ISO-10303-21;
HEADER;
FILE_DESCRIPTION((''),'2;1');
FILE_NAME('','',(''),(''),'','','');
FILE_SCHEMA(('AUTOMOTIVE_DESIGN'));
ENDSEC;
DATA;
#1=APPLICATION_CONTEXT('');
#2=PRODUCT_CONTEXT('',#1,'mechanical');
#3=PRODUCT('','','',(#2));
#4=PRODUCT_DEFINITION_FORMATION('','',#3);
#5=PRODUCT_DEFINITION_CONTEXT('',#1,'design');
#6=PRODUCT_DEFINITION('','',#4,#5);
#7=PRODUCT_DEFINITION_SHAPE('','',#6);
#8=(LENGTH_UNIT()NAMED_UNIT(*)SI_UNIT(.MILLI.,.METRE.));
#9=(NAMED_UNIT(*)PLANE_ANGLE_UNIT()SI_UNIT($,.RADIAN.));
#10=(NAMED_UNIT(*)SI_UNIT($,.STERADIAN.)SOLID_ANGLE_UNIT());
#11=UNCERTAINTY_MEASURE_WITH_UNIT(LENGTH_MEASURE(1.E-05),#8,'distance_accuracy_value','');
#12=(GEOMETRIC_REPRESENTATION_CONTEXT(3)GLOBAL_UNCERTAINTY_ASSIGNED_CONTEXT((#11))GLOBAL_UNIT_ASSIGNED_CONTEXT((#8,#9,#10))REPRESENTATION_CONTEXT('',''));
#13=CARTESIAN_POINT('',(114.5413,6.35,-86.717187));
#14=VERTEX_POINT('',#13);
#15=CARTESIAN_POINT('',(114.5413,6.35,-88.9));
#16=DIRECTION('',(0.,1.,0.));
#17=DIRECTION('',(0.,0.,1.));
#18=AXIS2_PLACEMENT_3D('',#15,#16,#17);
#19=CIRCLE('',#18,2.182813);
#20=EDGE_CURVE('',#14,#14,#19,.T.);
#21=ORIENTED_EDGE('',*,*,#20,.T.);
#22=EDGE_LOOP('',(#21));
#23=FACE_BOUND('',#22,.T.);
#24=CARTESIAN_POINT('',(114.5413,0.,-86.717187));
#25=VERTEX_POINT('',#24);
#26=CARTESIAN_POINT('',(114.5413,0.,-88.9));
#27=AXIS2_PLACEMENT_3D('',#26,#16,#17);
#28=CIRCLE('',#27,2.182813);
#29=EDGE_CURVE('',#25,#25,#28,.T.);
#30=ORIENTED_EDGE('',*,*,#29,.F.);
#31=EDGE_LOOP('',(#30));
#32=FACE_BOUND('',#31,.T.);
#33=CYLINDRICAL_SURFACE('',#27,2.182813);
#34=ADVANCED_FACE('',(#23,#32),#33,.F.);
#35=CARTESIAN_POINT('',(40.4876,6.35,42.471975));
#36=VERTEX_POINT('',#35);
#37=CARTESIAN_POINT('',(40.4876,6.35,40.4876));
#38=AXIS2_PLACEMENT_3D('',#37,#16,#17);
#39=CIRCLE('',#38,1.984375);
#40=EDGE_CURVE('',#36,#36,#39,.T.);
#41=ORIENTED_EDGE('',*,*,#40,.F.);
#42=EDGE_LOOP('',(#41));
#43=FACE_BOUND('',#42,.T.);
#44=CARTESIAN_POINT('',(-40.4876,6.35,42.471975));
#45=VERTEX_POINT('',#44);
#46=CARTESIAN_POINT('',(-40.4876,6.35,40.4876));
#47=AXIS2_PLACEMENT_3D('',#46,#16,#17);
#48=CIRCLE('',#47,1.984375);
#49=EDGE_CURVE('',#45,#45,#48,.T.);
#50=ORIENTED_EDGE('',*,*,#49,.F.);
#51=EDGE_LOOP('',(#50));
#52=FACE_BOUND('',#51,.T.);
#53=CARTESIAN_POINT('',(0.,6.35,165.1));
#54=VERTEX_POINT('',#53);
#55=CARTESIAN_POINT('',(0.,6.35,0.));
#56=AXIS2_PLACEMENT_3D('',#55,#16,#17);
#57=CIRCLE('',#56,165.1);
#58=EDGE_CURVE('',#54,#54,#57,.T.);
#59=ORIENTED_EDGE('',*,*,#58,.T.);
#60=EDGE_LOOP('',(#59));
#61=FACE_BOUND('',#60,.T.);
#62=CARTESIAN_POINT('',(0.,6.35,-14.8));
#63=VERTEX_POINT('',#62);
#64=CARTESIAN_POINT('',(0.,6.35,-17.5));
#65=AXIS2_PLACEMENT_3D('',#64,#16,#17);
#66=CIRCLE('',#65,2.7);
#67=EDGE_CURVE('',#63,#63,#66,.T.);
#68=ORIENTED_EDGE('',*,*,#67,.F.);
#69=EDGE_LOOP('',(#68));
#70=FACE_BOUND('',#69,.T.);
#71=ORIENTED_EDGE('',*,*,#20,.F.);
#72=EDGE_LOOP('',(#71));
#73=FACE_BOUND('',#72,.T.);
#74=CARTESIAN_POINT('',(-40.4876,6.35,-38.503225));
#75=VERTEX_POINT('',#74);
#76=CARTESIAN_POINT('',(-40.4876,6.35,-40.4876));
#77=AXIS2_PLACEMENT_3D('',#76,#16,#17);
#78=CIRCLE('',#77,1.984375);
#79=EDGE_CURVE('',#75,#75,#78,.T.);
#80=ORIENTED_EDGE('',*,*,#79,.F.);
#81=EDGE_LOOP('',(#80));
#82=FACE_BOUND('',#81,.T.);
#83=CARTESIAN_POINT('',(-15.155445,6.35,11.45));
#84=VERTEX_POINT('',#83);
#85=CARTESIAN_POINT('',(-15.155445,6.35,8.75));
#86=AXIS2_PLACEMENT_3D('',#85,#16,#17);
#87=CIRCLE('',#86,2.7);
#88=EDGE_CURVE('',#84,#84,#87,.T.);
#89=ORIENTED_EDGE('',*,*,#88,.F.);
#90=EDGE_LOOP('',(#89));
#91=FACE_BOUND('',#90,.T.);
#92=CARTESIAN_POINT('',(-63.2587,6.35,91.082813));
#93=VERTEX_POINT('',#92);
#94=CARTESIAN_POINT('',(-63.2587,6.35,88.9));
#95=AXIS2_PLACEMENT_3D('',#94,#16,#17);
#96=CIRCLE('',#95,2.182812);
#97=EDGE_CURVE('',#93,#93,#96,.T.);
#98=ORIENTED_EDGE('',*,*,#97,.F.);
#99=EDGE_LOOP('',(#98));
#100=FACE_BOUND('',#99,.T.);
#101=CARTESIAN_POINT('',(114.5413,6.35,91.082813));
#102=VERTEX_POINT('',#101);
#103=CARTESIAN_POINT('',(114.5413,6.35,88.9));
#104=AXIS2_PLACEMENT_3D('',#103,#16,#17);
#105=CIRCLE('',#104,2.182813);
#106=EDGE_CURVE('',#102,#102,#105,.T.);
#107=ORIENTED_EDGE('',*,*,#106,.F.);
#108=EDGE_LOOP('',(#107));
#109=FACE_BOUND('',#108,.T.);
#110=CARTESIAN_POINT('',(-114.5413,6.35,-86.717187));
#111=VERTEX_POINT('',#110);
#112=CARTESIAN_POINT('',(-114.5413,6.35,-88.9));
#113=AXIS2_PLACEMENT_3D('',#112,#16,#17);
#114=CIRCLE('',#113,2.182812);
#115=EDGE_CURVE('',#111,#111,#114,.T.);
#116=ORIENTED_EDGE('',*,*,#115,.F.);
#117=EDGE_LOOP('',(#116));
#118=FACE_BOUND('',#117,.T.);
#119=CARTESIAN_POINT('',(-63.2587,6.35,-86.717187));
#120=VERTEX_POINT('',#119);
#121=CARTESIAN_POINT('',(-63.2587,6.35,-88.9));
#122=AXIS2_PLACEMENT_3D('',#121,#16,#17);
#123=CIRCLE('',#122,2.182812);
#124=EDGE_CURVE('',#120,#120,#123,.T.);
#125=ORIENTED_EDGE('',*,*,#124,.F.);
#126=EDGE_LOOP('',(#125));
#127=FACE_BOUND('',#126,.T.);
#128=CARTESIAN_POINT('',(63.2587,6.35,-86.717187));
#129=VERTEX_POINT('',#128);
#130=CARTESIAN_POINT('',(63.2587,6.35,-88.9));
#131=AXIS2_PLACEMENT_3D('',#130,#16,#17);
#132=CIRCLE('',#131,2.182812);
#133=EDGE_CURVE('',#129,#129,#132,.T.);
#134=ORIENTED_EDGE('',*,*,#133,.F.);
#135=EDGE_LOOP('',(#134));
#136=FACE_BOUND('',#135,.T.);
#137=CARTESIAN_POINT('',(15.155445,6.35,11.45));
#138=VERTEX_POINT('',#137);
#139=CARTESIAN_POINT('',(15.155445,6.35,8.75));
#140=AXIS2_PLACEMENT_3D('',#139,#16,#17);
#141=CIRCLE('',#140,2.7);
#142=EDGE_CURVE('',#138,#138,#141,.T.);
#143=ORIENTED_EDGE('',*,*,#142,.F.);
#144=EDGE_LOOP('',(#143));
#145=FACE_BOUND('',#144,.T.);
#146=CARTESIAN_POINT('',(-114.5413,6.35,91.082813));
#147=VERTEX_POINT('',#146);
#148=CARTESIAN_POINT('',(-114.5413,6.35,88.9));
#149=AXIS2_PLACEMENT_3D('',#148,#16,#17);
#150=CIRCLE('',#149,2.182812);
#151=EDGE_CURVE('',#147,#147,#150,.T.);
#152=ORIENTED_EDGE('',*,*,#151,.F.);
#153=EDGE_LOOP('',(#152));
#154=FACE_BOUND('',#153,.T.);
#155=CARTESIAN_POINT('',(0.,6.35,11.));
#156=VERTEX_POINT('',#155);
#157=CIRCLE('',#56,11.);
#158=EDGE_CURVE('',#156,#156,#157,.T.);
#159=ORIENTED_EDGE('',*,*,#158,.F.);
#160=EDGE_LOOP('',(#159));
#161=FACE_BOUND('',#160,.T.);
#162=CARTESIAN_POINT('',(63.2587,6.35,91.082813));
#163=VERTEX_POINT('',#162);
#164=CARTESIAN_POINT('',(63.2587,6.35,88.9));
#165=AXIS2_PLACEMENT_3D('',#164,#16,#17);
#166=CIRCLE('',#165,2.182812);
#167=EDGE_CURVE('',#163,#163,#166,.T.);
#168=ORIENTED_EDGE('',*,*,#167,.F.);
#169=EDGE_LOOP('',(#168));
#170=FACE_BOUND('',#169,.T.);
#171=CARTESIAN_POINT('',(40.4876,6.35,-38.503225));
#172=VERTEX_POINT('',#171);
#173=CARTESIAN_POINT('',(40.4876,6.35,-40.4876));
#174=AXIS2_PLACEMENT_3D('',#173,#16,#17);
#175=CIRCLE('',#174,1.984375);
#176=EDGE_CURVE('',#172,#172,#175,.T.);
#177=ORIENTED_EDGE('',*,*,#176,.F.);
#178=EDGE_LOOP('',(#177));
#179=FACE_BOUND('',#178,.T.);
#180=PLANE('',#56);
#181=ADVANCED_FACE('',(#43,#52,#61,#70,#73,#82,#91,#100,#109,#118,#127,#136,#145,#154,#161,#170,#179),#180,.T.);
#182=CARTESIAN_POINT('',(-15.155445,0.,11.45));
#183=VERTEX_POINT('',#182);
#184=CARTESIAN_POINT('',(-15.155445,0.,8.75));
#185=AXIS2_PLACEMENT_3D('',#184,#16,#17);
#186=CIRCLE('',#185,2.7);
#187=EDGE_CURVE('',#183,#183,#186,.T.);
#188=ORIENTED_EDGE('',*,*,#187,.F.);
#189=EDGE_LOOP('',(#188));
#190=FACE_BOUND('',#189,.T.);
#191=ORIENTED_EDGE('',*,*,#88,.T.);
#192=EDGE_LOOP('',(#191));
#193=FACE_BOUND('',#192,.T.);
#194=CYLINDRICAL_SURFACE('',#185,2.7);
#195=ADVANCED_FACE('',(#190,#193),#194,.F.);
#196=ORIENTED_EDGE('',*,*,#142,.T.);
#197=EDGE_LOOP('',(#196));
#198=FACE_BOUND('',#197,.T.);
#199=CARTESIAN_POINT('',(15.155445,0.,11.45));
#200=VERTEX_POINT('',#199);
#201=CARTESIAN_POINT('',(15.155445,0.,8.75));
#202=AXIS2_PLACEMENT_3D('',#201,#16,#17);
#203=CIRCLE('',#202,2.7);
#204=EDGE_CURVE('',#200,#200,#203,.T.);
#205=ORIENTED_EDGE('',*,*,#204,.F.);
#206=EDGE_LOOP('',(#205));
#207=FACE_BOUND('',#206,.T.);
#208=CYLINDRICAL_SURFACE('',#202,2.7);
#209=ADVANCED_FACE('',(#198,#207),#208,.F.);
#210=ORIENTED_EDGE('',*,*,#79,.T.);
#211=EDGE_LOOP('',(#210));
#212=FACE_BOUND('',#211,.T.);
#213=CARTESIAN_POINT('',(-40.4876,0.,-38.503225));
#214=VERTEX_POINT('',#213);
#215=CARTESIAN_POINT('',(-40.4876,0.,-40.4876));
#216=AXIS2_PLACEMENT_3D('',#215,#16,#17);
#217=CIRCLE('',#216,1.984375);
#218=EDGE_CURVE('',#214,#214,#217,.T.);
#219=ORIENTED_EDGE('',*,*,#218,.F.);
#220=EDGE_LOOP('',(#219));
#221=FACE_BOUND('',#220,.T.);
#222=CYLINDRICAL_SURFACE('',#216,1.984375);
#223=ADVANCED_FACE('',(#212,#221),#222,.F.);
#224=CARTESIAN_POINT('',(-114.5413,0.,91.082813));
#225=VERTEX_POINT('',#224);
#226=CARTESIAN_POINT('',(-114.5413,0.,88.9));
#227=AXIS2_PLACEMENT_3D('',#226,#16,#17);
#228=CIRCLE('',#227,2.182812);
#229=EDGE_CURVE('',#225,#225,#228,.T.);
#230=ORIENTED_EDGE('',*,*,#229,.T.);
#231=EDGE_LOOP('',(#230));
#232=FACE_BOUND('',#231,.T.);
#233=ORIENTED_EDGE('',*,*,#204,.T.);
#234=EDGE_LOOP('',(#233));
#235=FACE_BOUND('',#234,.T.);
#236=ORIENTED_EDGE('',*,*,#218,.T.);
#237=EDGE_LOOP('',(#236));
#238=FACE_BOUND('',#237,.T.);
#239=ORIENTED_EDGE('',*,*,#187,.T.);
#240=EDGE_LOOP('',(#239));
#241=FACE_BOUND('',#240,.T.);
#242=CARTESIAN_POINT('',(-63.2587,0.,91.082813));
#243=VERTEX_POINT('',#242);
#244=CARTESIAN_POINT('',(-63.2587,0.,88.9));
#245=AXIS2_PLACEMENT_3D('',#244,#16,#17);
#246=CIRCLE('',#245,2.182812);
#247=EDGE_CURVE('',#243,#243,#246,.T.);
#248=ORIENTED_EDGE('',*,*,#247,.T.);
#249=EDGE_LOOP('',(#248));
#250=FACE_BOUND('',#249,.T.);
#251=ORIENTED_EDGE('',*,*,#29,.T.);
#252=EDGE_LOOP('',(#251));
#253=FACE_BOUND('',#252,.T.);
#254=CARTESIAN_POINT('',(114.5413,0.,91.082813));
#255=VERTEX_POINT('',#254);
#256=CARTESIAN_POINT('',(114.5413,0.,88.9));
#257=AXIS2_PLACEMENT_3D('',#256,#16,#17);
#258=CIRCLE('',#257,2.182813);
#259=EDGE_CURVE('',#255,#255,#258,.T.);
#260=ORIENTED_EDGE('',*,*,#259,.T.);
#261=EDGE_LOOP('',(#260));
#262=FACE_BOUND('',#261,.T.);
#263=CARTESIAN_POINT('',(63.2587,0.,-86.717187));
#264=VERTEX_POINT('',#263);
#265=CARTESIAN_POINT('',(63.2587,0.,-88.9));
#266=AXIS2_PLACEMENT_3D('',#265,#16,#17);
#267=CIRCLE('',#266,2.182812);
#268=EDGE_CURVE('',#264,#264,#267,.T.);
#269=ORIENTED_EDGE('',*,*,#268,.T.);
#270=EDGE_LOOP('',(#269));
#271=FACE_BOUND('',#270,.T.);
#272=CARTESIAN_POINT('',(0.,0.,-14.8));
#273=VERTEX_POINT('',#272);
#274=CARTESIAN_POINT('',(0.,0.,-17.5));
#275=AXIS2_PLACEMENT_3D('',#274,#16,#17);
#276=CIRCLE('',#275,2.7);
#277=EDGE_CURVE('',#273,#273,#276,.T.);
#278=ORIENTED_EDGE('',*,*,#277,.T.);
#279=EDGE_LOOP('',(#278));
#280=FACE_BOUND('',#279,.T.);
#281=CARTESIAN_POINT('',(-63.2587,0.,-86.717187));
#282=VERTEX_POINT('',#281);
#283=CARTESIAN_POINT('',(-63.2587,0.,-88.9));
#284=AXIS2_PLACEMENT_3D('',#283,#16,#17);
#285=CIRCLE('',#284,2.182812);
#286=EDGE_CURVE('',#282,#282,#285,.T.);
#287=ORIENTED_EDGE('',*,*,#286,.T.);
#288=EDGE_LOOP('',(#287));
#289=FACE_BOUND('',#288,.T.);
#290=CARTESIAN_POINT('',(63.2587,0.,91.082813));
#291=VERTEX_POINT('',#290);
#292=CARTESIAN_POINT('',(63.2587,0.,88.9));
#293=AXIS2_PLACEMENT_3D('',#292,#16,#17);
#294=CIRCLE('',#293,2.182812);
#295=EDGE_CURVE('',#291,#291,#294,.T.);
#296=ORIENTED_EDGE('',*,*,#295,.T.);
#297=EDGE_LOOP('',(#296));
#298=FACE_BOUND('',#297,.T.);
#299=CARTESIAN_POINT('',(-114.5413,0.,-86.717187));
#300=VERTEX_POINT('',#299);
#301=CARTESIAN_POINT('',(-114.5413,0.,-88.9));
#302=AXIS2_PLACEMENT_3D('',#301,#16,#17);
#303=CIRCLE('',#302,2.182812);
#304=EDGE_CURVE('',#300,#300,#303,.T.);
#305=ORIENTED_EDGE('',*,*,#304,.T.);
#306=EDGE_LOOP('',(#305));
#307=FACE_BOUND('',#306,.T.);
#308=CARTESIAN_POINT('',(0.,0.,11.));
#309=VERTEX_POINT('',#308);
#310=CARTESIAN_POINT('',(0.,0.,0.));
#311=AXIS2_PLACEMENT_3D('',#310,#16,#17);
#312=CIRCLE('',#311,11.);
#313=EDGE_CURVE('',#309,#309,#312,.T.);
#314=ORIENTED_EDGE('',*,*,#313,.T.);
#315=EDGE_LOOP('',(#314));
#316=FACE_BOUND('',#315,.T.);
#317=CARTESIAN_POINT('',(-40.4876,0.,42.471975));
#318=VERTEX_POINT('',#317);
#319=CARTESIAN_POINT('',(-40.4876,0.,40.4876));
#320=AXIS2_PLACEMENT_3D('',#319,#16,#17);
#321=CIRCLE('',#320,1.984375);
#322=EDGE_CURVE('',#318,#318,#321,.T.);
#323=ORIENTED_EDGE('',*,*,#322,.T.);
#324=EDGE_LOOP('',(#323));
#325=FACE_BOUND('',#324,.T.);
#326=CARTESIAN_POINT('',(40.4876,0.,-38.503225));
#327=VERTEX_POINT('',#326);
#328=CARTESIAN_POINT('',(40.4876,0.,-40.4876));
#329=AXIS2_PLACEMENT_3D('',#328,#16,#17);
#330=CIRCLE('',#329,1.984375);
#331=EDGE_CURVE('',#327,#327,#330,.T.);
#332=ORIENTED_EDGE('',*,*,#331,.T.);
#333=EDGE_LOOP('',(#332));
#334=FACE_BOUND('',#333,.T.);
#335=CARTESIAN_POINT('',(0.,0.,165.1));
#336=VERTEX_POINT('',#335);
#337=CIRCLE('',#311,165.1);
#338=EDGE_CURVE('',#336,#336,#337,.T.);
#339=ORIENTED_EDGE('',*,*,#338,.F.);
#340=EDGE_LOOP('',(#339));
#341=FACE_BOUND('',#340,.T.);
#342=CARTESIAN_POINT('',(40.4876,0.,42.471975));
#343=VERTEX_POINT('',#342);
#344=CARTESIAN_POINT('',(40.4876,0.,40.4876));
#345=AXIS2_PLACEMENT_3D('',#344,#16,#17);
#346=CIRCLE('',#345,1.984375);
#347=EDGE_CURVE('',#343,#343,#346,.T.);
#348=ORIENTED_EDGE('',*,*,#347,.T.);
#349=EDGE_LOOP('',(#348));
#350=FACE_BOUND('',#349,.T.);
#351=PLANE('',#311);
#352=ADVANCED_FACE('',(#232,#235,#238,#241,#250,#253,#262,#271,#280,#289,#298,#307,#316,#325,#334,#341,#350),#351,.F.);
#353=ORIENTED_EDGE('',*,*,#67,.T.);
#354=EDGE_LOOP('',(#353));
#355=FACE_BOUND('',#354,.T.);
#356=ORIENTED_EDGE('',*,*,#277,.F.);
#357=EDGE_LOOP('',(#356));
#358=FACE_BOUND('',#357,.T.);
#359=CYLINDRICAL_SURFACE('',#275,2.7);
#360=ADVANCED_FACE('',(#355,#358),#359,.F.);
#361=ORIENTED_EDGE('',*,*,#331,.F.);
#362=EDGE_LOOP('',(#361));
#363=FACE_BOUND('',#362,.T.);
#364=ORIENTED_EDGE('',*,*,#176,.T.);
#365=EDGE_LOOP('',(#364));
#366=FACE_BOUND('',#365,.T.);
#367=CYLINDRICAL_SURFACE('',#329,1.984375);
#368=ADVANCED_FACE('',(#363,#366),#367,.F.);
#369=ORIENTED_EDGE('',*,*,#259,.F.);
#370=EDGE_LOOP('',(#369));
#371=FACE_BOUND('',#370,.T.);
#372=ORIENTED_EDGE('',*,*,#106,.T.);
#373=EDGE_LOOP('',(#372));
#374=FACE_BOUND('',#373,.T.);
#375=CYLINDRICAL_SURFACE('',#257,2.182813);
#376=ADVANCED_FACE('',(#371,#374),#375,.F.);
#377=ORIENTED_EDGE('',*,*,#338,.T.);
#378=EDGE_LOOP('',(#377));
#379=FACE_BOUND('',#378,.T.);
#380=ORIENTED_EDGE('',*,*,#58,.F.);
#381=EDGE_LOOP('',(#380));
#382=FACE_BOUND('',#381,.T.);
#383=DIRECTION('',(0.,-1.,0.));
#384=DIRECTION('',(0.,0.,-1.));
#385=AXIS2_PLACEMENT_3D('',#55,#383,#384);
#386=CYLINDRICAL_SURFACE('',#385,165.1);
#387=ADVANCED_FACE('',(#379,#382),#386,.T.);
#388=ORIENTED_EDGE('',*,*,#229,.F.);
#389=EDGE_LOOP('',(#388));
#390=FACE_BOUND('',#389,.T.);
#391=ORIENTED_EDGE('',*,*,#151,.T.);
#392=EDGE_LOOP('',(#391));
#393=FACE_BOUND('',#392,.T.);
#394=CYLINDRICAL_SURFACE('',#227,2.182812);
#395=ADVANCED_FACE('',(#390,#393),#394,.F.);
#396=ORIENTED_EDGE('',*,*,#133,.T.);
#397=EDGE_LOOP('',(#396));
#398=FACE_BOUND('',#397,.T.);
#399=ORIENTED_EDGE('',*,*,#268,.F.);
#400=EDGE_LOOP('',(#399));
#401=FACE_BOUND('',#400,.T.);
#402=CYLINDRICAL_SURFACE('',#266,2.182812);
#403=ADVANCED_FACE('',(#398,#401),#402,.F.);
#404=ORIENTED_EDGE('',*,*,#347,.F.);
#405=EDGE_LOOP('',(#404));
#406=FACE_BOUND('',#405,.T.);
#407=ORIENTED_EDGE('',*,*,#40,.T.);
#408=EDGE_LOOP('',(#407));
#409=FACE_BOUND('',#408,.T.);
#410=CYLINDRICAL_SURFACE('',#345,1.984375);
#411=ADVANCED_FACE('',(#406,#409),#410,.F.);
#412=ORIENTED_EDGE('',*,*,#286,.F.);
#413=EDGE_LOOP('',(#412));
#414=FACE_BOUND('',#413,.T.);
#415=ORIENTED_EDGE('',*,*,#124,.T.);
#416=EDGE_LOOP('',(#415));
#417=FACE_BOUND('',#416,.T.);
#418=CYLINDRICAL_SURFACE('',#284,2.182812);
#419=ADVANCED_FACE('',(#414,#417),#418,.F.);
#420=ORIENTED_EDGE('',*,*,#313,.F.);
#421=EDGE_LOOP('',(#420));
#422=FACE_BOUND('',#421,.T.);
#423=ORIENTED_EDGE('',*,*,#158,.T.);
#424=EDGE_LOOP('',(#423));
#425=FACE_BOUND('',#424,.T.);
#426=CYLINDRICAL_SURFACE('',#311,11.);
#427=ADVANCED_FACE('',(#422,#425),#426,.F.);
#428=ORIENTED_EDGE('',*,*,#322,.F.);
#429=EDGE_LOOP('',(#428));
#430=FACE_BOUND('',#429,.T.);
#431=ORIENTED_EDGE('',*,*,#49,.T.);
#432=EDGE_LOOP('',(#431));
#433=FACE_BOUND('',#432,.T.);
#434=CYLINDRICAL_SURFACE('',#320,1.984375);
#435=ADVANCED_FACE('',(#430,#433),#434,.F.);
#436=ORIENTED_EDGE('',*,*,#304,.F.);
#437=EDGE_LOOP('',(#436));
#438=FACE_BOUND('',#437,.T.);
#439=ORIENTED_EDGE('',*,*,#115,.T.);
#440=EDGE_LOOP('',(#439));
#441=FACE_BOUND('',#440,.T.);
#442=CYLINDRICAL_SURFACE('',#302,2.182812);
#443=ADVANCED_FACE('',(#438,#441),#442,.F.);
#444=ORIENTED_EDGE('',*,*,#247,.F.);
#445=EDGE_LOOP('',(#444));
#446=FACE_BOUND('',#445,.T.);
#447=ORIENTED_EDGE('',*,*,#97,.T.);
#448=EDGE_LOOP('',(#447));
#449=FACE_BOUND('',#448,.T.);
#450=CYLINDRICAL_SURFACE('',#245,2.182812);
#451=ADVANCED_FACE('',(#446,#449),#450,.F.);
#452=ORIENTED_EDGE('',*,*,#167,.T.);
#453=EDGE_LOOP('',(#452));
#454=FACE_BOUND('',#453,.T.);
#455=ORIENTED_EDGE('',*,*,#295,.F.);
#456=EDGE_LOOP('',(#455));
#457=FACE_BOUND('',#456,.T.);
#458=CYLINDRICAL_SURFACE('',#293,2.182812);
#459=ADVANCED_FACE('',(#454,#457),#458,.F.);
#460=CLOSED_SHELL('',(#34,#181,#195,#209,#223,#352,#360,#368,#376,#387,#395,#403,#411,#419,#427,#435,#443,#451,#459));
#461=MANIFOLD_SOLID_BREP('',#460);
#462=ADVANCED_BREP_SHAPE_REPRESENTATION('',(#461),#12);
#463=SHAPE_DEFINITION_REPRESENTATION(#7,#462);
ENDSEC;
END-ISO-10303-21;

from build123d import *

# Parameters (mm, degrees)
SKETCH1_R           = 165.1
BOSS_EXTRUDE1_DEPTH = 6.35
SKETCH2_R           = 11
SKETCH2_R_2         = 1.984375
SKETCH2_R_3         = 2.7
CUT_EXTRUDE1_DEPTH  = 234.572991803
SKETCH3_R           = 2.1828125
CUT_EXTRUDE2_DEPTH  = 234.572991803


with BuildPart() as part:
    # Sketch1 → Boss-Extrude1 (new body)
    with BuildSketch(Plane(origin=(0, 0, 0), x_dir=(1, 0, 0), z_dir=(0, 1, 0))):
        with Locations(Location((0, 0, 0), (0, 0, 270))):
            Circle(SKETCH1_R)
    extrude(amount=BOSS_EXTRUDE1_DEPTH)

    # Sketch2 → Cut-Extrude1 (cut, through all)
    with BuildSketch(Plane(origin=(0, 6.35, 0), x_dir=(1, 0, 0), z_dir=(0, 1, 0))):
        with Locations(Location((0, 0, 0), (0, 0, 270))):
            Circle(SKETCH2_R)
        with Locations(Location((-40.4876, 40.4876, 0), (0, 0, 270))):
            Circle(SKETCH2_R_2)
        with Locations(Location((-40.4876, -40.4876, 0), (0, 0, 270))):
            Circle(SKETCH2_R_2)
        with Locations(Location((40.4876, -40.4876, 0), (0, 0, 270))):
            Circle(SKETCH2_R_2)
        with Locations(Location((40.4876, 40.4876, 0), (0, 0, 270))):
            Circle(SKETCH2_R_2)
        with Locations(Location((0, 17.5, 0), (0, 0, 270))):
            Circle(SKETCH2_R_3)
        with Locations(Location((-15.155444566, -8.75, 0), (0, 0, 270))):
            Circle(SKETCH2_R_3)
        with Locations(Location((15.155444566, -8.75, 0), (0, 0, 270))):
            Circle(SKETCH2_R_3)
    extrude(amount=-CUT_EXTRUDE1_DEPTH, mode=Mode.SUBTRACT)

    # Sketch3 → Cut-Extrude2 (cut, through all)
    with BuildSketch(Plane(origin=(0, 6.35, 0), x_dir=(1, 0, 0), z_dir=(0, 1, 0))):
        with Locations(Location((-114.5413, 88.9, 0), (0, 0, 270))):
            Circle(SKETCH3_R)
        with Locations(Location((-63.2587, 88.9, 0), (0, 0, 270))):
            Circle(SKETCH3_R)
        with Locations(Location((63.2587, 88.9, 0), (0, 0, 270))):
            Circle(SKETCH3_R)
        with Locations(Location((114.5413, 88.9, 0), (0, 0, 270))):
            Circle(SKETCH3_R)
        with Locations(Location((114.5413, -88.9, 0), (0, 0, 270))):
            Circle(SKETCH3_R)
        with Locations(Location((63.2587, -88.9, 0), (0, 0, 270))):
            Circle(SKETCH3_R)
        with Locations(Location((-63.2587, -88.9, 0), (0, 0, 270))):
            Circle(SKETCH3_R)
        with Locations(Location((-114.5413, -88.9, 0), (0, 0, 270))):
            Circle(SKETCH3_R)
    extrude(amount=-CUT_EXTRUDE2_DEPTH, mode=Mode.SUBTRACT)


solid = part.part
